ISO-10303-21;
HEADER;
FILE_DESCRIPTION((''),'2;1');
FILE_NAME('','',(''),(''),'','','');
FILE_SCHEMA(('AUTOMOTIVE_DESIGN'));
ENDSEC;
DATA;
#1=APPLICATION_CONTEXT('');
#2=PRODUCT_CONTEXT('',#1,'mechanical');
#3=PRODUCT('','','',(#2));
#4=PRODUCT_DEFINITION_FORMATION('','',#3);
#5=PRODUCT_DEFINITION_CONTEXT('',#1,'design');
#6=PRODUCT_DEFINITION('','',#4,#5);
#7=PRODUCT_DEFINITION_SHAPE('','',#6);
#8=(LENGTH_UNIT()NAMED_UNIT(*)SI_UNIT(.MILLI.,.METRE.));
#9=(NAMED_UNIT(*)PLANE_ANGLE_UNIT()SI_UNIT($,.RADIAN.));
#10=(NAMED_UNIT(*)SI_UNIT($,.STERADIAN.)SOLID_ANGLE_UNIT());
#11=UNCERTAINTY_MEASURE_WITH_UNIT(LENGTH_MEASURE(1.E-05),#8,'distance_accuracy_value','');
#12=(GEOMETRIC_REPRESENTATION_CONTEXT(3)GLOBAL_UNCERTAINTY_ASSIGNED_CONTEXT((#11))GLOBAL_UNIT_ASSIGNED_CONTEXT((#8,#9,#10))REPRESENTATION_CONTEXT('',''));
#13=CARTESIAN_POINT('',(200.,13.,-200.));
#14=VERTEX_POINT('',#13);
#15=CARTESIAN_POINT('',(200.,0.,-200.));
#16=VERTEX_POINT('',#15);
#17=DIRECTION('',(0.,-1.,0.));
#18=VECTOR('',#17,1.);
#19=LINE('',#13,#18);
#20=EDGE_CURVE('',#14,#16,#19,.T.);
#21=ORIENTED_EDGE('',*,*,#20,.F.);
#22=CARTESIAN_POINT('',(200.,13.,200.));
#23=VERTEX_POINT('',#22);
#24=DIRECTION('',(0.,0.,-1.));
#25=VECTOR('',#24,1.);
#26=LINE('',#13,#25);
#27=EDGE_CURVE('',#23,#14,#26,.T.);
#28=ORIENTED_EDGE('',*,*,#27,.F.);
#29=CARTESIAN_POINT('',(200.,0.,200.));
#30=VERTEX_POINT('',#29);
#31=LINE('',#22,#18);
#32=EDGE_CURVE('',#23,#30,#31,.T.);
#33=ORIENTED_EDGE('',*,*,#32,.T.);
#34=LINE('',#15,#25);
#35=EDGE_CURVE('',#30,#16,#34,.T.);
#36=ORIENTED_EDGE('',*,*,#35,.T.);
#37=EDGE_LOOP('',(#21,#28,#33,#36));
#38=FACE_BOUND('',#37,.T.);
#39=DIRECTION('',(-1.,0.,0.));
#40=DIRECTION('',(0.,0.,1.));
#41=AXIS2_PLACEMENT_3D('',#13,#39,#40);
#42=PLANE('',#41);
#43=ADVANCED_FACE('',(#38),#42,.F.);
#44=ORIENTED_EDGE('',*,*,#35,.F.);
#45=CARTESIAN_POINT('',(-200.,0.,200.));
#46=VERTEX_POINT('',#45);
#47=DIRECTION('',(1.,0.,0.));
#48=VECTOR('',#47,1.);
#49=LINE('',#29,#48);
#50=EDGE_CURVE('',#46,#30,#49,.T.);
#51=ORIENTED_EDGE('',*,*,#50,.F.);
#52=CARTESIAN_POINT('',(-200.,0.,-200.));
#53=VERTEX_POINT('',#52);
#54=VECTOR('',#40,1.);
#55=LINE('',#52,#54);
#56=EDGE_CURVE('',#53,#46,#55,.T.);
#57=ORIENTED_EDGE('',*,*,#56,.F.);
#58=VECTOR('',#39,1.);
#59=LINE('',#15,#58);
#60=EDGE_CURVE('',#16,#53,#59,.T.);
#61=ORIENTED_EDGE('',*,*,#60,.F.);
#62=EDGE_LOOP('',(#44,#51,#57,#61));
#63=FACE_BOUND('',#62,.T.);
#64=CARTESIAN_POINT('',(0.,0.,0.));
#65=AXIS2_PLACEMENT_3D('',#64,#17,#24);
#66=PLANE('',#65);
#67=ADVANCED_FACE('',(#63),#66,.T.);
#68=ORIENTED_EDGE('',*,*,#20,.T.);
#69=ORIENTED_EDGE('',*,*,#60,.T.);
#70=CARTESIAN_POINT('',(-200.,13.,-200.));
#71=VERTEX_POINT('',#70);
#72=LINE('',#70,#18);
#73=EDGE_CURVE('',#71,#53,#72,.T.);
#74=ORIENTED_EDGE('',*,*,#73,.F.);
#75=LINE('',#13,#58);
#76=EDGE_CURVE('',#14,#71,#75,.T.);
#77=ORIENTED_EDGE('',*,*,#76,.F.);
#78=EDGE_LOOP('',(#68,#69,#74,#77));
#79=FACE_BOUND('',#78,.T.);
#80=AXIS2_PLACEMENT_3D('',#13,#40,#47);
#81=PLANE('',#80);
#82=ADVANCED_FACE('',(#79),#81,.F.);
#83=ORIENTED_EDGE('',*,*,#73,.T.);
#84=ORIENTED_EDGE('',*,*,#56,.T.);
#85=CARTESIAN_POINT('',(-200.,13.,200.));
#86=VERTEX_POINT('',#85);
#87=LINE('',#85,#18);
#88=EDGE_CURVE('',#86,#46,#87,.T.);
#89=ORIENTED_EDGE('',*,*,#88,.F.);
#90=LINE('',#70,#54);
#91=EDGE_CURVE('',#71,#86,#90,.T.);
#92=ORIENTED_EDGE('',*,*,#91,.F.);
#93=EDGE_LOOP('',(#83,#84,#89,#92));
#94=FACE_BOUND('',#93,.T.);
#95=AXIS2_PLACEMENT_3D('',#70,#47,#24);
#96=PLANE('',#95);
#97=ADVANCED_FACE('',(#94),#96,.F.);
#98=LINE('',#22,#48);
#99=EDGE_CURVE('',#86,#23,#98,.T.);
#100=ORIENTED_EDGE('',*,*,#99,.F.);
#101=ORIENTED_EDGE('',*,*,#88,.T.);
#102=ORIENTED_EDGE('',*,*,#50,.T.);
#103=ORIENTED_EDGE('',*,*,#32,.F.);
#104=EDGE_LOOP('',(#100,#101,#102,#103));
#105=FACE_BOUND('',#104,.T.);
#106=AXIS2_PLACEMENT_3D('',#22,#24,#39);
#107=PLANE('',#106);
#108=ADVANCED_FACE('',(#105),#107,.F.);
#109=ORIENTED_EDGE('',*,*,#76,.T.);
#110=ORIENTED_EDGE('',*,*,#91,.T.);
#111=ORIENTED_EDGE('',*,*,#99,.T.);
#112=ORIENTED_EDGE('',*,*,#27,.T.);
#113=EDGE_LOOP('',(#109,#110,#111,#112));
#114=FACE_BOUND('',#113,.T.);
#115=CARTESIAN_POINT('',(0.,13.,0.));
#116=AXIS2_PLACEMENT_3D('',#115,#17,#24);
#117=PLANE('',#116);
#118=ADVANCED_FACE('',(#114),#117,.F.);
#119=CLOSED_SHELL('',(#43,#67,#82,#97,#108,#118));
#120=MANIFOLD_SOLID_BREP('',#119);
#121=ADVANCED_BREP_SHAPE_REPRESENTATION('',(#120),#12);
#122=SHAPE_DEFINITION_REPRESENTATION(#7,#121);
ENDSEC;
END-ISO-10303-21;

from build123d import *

# Parameters (mm, degrees)
SKETCH_1_W      = 400
SKETCH_1_H      = 400
EXTRUDE_1_DEPTH = 13


with BuildPart() as part:
    # 스케치1 → 보스-돌출1 (new body)
    with BuildSketch(Plane(origin=(0, 0, 0), x_dir=(1, 0, 0), z_dir=(0, 1, 0))):
        Rectangle(SKETCH_1_W, SKETCH_1_H)
    extrude(amount=EXTRUDE_1_DEPTH)


solid = part.part
